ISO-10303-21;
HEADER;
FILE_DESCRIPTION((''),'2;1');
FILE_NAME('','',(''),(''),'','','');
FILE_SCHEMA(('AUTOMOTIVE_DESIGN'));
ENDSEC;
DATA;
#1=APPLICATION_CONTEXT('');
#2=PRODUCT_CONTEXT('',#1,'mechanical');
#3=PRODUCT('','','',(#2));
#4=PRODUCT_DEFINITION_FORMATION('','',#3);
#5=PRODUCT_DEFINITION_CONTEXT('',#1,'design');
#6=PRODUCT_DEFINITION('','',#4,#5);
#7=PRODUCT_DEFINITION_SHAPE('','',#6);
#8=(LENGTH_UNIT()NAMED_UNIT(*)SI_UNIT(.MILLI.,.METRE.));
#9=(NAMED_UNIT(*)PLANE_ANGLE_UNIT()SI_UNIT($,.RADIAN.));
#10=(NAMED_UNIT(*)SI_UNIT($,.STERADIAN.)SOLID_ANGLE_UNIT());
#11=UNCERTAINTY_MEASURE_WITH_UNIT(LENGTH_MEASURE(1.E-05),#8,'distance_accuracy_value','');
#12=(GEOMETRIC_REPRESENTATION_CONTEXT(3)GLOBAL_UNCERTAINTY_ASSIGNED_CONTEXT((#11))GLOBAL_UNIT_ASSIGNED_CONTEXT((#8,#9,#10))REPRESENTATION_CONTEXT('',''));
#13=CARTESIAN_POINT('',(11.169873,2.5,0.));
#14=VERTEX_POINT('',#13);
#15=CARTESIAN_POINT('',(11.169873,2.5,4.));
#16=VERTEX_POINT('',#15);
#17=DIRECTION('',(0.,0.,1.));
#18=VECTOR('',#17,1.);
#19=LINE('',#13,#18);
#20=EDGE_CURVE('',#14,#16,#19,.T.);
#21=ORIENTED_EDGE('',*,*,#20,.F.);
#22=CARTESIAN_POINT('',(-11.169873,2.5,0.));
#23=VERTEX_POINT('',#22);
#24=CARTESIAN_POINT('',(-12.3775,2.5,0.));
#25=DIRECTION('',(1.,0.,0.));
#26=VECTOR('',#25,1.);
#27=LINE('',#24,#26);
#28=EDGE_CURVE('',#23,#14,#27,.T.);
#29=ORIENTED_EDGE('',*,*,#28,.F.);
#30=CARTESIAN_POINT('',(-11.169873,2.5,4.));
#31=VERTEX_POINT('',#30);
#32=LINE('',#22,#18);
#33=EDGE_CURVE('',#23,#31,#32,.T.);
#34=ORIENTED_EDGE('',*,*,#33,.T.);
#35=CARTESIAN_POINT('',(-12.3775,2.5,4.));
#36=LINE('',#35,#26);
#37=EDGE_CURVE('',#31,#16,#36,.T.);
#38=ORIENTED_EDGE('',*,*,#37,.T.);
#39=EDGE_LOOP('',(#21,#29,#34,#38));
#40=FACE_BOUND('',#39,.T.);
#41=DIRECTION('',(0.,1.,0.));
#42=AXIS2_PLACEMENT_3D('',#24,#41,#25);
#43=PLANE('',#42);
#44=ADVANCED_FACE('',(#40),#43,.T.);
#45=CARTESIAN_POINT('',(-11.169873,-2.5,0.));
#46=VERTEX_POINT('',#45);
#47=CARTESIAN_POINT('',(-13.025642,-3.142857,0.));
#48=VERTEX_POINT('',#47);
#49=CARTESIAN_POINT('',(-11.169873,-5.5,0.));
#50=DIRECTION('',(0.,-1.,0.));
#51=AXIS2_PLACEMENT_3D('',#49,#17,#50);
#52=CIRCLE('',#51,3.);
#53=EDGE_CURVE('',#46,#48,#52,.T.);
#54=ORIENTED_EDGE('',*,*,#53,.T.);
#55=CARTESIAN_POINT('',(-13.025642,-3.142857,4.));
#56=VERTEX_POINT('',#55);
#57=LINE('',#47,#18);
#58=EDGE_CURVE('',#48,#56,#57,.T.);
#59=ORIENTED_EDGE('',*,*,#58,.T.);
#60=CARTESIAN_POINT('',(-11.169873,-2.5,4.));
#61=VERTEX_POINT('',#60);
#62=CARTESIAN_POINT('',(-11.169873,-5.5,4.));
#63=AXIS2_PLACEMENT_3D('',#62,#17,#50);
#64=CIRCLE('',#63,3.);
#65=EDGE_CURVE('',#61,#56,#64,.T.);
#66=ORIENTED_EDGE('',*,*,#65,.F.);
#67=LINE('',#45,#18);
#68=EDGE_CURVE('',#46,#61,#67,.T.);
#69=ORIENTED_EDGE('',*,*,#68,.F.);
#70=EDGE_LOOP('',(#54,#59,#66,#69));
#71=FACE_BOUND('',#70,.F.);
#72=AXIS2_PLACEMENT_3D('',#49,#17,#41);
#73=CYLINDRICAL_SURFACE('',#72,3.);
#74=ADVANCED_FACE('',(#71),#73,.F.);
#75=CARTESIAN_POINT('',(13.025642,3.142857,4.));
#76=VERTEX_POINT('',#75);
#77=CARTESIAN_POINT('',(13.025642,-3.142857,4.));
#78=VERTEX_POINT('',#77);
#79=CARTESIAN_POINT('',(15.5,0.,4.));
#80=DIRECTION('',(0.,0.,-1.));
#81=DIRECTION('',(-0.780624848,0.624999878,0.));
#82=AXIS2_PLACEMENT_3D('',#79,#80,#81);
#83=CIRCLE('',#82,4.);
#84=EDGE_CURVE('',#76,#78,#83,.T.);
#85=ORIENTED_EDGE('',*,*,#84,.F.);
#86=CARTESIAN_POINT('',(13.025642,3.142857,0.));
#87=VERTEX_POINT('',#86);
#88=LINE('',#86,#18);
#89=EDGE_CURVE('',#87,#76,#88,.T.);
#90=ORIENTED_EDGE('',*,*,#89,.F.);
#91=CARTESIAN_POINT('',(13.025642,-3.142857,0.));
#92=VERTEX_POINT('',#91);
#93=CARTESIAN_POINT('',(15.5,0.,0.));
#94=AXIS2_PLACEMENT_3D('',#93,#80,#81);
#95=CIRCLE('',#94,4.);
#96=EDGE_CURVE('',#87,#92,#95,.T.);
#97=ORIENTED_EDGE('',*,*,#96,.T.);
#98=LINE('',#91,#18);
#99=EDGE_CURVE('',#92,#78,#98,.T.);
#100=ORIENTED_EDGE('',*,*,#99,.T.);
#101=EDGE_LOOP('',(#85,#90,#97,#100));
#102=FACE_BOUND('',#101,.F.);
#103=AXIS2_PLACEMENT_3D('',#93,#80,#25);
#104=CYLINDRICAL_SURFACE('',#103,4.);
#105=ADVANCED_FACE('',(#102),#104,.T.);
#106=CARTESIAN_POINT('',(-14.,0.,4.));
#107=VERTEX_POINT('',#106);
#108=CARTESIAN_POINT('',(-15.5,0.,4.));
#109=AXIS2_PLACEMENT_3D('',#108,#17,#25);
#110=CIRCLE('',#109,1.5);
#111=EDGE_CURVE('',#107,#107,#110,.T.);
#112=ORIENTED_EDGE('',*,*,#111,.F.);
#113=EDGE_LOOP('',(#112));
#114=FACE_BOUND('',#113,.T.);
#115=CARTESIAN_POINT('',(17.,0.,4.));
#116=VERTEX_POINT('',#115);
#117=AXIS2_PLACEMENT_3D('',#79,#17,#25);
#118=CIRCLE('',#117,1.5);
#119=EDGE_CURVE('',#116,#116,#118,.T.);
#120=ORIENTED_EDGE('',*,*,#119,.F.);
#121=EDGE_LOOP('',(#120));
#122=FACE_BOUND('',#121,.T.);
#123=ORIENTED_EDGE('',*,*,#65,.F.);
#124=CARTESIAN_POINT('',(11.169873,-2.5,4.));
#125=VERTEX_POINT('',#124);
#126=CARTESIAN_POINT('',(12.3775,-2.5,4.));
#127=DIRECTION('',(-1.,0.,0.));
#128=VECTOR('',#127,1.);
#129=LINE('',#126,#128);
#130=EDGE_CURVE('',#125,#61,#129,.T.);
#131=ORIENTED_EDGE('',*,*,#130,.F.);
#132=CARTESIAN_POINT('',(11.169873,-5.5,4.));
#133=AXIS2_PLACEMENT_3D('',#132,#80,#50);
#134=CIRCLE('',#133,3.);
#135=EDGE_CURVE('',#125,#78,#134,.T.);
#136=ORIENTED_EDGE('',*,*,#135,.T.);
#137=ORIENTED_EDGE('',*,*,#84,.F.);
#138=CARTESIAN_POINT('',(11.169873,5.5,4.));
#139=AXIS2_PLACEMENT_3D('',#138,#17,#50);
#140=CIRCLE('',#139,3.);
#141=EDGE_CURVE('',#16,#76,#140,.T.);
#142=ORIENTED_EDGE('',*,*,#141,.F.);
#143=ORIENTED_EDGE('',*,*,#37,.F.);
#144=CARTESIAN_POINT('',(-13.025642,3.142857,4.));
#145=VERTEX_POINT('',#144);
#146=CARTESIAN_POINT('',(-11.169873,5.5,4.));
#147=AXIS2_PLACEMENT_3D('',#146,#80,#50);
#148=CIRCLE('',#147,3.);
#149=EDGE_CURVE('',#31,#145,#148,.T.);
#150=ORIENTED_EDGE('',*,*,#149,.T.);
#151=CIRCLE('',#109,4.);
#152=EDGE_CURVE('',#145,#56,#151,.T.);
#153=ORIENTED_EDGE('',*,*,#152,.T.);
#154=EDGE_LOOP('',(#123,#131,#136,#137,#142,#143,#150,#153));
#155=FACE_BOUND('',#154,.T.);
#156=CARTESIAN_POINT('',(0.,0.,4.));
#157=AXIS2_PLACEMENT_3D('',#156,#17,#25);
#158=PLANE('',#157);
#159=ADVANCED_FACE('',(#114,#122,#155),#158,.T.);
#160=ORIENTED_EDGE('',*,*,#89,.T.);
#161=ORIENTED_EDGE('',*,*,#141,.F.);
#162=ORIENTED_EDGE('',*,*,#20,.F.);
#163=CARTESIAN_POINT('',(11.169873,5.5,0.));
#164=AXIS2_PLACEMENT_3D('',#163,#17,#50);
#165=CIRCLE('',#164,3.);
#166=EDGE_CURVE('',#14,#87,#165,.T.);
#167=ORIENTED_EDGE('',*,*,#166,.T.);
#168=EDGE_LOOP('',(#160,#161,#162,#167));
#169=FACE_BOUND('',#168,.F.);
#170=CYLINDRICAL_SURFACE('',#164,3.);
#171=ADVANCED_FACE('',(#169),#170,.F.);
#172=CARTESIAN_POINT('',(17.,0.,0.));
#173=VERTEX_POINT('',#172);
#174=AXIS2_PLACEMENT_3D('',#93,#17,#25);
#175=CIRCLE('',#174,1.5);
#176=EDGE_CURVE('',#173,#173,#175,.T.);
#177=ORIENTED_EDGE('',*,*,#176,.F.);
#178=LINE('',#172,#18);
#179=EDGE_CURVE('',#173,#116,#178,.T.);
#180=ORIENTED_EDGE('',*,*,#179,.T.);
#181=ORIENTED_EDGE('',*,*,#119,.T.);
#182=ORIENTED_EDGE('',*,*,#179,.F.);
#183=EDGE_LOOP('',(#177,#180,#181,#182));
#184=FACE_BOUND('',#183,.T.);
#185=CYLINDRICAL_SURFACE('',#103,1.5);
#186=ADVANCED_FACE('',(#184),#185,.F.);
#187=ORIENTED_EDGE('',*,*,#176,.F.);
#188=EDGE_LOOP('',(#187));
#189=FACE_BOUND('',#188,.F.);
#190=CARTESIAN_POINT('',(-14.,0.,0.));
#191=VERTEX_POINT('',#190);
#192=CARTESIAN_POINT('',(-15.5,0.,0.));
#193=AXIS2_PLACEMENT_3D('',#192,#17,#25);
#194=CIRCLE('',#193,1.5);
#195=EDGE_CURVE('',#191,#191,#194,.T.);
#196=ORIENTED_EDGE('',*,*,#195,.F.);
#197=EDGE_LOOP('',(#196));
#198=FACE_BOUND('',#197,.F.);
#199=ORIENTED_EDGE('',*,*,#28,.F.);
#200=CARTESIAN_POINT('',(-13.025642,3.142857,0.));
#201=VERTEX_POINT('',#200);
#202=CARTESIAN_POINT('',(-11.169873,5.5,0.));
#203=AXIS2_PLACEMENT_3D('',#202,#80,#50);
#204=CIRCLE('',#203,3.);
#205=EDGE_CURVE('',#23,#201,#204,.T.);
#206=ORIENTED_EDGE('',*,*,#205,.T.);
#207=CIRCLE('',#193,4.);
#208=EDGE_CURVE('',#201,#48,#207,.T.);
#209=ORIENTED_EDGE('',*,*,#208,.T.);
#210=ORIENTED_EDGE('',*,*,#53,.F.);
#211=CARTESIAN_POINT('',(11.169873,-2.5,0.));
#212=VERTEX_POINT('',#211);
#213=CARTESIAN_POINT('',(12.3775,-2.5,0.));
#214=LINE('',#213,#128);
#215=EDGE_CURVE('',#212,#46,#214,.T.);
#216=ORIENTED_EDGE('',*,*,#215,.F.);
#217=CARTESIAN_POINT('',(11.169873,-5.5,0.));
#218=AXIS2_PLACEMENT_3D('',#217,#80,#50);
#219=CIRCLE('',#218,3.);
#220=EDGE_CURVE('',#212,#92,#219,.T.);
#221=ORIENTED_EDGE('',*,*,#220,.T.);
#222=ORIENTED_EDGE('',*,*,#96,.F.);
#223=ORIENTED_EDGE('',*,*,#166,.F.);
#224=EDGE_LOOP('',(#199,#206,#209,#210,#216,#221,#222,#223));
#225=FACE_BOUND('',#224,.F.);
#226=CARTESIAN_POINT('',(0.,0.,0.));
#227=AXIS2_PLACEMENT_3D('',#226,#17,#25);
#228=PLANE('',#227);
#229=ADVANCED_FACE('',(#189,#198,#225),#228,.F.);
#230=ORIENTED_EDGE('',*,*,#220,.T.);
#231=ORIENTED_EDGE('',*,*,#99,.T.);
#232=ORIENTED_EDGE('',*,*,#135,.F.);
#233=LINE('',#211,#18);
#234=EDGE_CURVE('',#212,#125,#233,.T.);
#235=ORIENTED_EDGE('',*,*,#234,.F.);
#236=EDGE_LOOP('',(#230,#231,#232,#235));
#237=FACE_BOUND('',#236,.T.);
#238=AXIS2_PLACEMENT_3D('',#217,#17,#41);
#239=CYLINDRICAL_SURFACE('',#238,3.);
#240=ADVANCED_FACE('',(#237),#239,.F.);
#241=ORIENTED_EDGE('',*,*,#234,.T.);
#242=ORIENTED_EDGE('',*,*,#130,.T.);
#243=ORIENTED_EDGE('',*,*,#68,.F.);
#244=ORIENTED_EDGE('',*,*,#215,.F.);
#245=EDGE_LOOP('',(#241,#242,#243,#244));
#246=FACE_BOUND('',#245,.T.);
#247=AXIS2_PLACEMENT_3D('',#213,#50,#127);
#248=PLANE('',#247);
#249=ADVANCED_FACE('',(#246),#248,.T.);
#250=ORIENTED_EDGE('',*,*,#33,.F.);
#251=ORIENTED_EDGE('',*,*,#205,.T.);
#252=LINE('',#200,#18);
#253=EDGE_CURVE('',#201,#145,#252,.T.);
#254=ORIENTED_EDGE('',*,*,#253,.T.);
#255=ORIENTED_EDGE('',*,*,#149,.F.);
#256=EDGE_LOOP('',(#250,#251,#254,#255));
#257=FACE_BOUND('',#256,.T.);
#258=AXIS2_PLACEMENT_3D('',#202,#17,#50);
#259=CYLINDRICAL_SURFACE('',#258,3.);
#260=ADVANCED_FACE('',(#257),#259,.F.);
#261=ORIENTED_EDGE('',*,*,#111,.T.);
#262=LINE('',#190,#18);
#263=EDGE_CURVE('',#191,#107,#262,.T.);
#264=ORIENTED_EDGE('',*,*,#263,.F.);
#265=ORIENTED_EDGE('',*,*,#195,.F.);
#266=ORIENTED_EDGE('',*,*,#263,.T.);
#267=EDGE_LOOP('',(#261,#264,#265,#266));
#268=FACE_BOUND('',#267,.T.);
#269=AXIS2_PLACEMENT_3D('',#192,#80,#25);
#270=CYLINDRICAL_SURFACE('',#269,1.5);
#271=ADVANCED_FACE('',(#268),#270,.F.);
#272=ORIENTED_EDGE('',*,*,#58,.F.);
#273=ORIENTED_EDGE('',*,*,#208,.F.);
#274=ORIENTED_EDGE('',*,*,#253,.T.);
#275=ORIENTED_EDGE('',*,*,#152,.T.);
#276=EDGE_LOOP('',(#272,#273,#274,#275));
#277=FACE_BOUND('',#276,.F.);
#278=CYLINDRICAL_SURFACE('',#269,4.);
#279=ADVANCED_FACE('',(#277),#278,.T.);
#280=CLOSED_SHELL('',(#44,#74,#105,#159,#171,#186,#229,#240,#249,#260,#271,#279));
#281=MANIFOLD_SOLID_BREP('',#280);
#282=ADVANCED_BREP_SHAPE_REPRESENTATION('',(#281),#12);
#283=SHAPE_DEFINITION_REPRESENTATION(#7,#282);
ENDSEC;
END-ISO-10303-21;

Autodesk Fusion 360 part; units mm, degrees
sketch "Sketch1" plane through (0, 0, 0) normal (0, 0, 1) x (1, 0, 0)
  line L0 (-15.5, 0) -> (15.5, 0) construction
  circle A0 centre (-15.5, 0) radius 1.5
  circle A1 centre (-15.5, 0) radius 4
  circle A2 centre (15.5, 0) radius 1.5
  circle A3 centre (15.5, 0) radius 4
  line L1 (12.3775, -2.5) -> (-12.3775, -2.5)
  line L2 (-12.3775, -2.5) -> (-12.3775, 2.5)
  line L3 (-12.3775, 2.5) -> (12.3775, 2.5)
  line L4 (12.3775, 2.5) -> (12.3775, -2.5)
  line L5 (12.3775, -2.5) -> (-12.3775, 2.5) construction
  line L6 (-12.3775, -2.5) -> (12.3775, 2.5) construction
  line L7 (12.3775, -2.5) -> (13.2, -2.5) construction
  line L8 (12.3775, 2.5) -> (12.9, 2.5) construction
  point P0 (12.3775, -2.5)
  point P1 (12.3775, 2.5)
  dimension "d1" = 31
  dimension "d2" = 3
  dimension "d3" = 8
  dimension "d4" = 3
  dimension "d5" = 8
  dimension "d6" = 5
extrude "Extrude1" add sketch "Sketch1" along normal blind 4
fillet "Fillet1" radius 3 4 edges at (-12.3775, -2.5, 2) (12.3775, -2.5, 2) (12.3775, 2.5, 2) (-12.3775, 2.5, 2)
